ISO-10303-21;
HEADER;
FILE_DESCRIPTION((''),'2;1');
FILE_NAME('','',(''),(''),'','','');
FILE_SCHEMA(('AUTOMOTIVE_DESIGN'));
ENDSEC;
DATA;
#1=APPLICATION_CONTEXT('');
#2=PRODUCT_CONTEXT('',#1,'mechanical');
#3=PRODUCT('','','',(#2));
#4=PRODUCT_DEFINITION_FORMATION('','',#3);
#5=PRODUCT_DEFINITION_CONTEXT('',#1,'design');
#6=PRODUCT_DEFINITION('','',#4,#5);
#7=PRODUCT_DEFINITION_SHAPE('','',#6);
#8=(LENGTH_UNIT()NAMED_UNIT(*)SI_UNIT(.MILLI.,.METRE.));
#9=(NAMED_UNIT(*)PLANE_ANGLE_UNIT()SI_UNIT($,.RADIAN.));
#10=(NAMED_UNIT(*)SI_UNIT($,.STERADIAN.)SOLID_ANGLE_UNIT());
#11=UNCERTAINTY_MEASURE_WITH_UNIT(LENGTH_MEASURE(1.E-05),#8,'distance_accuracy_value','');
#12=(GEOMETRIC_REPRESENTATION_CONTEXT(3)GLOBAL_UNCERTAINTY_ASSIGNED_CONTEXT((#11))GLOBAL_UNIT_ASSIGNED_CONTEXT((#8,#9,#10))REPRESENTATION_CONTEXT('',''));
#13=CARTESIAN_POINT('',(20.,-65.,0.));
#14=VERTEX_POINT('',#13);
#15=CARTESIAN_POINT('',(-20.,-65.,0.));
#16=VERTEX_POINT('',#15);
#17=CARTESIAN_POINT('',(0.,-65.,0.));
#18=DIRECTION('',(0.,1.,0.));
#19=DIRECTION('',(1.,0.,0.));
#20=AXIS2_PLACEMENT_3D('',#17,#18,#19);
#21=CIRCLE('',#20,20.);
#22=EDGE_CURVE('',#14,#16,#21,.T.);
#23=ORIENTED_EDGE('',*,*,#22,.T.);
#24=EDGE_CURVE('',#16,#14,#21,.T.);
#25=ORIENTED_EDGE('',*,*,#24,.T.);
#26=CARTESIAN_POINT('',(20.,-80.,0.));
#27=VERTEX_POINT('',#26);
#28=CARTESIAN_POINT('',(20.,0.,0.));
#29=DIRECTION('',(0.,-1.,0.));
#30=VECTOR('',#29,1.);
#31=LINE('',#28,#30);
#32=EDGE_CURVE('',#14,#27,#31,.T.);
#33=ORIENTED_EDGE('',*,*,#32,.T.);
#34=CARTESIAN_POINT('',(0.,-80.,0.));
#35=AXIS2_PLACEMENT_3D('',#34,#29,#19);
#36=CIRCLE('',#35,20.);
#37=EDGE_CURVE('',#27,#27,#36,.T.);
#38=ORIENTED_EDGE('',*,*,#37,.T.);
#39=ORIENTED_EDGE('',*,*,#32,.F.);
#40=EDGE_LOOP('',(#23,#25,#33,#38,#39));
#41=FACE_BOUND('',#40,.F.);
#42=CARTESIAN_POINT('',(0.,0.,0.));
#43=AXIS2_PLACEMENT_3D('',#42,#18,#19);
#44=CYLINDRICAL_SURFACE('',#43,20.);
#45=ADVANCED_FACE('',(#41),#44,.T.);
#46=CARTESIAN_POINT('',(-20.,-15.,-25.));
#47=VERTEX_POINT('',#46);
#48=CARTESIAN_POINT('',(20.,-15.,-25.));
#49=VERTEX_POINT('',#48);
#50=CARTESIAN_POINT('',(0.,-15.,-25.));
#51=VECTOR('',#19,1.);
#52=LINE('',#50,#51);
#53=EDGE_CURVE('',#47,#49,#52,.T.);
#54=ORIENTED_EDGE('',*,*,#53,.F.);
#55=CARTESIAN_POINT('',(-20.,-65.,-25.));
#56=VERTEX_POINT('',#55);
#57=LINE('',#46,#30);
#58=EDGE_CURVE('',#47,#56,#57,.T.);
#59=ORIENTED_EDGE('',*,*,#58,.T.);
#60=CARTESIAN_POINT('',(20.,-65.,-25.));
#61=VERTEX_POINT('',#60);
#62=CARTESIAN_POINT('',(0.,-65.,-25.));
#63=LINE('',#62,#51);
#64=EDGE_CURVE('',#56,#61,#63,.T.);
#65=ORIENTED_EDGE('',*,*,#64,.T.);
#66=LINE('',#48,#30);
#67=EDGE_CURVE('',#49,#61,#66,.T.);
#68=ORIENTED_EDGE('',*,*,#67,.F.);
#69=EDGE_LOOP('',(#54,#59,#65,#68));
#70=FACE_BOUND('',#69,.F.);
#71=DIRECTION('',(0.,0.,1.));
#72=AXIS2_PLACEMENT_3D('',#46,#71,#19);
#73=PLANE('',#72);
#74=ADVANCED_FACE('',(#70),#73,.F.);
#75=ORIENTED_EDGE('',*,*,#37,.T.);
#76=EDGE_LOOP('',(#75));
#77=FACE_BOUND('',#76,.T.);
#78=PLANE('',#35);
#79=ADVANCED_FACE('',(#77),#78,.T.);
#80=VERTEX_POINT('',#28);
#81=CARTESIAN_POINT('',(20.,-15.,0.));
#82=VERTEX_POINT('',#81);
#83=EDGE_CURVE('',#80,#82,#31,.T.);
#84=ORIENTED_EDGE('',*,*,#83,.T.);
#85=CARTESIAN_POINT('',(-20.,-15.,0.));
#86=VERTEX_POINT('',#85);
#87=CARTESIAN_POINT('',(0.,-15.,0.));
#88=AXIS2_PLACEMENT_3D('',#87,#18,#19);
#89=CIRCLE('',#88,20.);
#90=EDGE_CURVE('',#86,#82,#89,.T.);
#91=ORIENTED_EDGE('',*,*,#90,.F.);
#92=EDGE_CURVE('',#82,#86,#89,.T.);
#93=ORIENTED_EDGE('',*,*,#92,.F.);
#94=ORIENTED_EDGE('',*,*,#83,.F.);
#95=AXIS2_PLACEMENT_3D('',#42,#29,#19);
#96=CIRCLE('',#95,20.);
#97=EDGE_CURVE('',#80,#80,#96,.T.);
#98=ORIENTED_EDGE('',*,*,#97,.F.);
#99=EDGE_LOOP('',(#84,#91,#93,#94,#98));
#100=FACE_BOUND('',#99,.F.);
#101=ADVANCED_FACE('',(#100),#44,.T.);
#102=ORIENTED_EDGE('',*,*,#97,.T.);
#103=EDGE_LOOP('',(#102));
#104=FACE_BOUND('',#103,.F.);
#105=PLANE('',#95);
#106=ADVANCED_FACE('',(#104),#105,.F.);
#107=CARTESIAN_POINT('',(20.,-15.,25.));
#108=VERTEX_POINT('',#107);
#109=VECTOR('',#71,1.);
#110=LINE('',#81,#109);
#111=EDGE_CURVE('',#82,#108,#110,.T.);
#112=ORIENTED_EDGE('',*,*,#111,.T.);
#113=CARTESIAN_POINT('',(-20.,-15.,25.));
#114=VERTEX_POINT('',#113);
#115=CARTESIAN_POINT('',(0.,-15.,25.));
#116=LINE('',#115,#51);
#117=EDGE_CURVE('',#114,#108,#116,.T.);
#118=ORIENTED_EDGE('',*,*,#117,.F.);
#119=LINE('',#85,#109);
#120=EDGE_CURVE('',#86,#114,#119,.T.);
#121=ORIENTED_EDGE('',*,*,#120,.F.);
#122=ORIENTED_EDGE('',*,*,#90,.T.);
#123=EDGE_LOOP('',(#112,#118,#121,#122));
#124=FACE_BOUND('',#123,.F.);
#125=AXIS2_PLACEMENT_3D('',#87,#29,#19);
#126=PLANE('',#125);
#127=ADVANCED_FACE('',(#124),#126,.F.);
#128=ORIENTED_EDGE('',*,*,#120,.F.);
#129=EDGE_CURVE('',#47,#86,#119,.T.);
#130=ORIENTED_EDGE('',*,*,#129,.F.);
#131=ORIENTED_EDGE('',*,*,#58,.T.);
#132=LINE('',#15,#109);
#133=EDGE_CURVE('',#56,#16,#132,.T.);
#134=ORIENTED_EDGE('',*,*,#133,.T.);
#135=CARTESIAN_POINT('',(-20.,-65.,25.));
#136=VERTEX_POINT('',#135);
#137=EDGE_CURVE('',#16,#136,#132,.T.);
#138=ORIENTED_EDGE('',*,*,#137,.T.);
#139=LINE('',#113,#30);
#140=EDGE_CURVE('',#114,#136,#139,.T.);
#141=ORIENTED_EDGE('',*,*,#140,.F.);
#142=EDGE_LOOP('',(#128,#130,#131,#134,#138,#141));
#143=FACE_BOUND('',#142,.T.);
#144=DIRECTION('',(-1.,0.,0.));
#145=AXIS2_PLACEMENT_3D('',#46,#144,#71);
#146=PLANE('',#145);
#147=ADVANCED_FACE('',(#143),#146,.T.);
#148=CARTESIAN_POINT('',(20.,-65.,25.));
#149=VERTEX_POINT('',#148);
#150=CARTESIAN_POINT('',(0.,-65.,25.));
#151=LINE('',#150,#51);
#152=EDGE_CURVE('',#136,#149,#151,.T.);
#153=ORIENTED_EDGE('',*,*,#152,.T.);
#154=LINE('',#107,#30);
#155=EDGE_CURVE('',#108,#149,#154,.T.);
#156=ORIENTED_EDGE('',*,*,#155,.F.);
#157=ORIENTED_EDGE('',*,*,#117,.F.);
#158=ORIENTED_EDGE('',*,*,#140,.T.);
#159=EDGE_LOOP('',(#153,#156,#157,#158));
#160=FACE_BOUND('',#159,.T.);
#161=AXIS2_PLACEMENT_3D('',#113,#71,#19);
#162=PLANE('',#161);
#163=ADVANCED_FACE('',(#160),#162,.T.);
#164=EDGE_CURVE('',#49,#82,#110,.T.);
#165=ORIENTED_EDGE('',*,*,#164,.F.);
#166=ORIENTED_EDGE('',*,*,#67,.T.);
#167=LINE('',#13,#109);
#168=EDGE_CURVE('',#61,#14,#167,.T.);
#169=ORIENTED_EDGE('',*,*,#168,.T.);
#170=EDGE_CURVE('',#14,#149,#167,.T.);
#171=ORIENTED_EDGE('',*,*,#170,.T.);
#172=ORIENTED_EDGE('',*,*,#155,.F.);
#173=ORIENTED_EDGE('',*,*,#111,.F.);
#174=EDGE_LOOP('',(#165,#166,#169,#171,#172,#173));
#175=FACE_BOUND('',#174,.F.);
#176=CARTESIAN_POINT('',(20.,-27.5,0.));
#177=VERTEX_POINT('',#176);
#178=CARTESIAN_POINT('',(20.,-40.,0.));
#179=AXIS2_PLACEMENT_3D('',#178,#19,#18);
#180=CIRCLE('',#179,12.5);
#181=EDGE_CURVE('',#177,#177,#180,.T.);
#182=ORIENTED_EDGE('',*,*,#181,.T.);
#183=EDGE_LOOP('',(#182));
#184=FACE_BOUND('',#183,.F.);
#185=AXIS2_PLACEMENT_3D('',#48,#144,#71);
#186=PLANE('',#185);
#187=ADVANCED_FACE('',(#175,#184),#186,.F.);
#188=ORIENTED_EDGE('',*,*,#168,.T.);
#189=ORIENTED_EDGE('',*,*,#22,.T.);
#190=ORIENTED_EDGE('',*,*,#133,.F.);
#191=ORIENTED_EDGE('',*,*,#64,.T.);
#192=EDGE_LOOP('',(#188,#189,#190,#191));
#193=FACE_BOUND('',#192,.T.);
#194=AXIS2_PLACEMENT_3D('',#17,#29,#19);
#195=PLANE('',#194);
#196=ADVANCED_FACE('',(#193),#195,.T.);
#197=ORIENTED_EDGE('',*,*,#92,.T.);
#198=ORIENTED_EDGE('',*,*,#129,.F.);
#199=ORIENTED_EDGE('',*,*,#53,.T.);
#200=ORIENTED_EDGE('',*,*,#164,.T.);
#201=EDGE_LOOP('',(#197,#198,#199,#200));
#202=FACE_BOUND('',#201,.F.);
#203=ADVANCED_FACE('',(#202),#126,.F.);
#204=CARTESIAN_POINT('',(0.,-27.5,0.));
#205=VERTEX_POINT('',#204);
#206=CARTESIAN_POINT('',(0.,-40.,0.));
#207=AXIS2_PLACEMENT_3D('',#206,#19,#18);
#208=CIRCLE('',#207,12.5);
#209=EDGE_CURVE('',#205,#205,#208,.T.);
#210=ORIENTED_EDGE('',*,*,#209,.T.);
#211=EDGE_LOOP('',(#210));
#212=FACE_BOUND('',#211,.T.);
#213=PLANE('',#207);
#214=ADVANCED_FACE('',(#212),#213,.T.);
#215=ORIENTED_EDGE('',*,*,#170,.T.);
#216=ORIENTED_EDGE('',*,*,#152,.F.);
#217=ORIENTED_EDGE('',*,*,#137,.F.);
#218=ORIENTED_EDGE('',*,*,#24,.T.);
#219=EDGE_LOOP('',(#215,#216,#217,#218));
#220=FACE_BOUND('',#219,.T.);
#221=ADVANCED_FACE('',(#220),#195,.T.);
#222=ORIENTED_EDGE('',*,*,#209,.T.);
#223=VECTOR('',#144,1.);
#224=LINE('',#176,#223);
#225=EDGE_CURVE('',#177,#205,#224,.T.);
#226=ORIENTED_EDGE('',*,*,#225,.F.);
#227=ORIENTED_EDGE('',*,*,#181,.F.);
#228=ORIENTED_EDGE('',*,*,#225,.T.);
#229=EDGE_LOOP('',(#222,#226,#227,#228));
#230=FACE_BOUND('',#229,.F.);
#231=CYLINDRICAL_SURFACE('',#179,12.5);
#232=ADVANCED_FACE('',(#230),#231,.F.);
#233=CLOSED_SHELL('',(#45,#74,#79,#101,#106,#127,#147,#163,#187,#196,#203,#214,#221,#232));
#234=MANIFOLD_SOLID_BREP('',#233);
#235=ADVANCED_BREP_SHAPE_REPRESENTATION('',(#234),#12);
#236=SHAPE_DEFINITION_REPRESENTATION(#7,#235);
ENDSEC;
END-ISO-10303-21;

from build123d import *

# Parameters (mm, degrees)
F0_R     = 20
F1_DEPTH = 80
F3_W     = 40
F3_H     = 50
F4_DEPTH = 50
F5_R     = 12.5
F6_DEPTH = 20


with BuildPart() as f1:
    # F0 (on Front) → F1 (new body)
    with BuildSketch(Plane.XZ):
        Circle(F0_R)
    extrude(amount=F1_DEPTH)

    # F3 (on offset) → F4 (join)
    with BuildSketch(Plane.XZ.offset(15)):
        Rectangle(F3_W, F3_H)
    extrude(amount=F4_DEPTH)

    # F5 (on face) → F6 (cut)
    with BuildSketch(Plane.YZ.offset(20)):
        with Locations((-40, 0)):
            Circle(F5_R)
    extrude(amount=-F6_DEPTH, mode=Mode.SUBTRACT)


solid = f1.part
